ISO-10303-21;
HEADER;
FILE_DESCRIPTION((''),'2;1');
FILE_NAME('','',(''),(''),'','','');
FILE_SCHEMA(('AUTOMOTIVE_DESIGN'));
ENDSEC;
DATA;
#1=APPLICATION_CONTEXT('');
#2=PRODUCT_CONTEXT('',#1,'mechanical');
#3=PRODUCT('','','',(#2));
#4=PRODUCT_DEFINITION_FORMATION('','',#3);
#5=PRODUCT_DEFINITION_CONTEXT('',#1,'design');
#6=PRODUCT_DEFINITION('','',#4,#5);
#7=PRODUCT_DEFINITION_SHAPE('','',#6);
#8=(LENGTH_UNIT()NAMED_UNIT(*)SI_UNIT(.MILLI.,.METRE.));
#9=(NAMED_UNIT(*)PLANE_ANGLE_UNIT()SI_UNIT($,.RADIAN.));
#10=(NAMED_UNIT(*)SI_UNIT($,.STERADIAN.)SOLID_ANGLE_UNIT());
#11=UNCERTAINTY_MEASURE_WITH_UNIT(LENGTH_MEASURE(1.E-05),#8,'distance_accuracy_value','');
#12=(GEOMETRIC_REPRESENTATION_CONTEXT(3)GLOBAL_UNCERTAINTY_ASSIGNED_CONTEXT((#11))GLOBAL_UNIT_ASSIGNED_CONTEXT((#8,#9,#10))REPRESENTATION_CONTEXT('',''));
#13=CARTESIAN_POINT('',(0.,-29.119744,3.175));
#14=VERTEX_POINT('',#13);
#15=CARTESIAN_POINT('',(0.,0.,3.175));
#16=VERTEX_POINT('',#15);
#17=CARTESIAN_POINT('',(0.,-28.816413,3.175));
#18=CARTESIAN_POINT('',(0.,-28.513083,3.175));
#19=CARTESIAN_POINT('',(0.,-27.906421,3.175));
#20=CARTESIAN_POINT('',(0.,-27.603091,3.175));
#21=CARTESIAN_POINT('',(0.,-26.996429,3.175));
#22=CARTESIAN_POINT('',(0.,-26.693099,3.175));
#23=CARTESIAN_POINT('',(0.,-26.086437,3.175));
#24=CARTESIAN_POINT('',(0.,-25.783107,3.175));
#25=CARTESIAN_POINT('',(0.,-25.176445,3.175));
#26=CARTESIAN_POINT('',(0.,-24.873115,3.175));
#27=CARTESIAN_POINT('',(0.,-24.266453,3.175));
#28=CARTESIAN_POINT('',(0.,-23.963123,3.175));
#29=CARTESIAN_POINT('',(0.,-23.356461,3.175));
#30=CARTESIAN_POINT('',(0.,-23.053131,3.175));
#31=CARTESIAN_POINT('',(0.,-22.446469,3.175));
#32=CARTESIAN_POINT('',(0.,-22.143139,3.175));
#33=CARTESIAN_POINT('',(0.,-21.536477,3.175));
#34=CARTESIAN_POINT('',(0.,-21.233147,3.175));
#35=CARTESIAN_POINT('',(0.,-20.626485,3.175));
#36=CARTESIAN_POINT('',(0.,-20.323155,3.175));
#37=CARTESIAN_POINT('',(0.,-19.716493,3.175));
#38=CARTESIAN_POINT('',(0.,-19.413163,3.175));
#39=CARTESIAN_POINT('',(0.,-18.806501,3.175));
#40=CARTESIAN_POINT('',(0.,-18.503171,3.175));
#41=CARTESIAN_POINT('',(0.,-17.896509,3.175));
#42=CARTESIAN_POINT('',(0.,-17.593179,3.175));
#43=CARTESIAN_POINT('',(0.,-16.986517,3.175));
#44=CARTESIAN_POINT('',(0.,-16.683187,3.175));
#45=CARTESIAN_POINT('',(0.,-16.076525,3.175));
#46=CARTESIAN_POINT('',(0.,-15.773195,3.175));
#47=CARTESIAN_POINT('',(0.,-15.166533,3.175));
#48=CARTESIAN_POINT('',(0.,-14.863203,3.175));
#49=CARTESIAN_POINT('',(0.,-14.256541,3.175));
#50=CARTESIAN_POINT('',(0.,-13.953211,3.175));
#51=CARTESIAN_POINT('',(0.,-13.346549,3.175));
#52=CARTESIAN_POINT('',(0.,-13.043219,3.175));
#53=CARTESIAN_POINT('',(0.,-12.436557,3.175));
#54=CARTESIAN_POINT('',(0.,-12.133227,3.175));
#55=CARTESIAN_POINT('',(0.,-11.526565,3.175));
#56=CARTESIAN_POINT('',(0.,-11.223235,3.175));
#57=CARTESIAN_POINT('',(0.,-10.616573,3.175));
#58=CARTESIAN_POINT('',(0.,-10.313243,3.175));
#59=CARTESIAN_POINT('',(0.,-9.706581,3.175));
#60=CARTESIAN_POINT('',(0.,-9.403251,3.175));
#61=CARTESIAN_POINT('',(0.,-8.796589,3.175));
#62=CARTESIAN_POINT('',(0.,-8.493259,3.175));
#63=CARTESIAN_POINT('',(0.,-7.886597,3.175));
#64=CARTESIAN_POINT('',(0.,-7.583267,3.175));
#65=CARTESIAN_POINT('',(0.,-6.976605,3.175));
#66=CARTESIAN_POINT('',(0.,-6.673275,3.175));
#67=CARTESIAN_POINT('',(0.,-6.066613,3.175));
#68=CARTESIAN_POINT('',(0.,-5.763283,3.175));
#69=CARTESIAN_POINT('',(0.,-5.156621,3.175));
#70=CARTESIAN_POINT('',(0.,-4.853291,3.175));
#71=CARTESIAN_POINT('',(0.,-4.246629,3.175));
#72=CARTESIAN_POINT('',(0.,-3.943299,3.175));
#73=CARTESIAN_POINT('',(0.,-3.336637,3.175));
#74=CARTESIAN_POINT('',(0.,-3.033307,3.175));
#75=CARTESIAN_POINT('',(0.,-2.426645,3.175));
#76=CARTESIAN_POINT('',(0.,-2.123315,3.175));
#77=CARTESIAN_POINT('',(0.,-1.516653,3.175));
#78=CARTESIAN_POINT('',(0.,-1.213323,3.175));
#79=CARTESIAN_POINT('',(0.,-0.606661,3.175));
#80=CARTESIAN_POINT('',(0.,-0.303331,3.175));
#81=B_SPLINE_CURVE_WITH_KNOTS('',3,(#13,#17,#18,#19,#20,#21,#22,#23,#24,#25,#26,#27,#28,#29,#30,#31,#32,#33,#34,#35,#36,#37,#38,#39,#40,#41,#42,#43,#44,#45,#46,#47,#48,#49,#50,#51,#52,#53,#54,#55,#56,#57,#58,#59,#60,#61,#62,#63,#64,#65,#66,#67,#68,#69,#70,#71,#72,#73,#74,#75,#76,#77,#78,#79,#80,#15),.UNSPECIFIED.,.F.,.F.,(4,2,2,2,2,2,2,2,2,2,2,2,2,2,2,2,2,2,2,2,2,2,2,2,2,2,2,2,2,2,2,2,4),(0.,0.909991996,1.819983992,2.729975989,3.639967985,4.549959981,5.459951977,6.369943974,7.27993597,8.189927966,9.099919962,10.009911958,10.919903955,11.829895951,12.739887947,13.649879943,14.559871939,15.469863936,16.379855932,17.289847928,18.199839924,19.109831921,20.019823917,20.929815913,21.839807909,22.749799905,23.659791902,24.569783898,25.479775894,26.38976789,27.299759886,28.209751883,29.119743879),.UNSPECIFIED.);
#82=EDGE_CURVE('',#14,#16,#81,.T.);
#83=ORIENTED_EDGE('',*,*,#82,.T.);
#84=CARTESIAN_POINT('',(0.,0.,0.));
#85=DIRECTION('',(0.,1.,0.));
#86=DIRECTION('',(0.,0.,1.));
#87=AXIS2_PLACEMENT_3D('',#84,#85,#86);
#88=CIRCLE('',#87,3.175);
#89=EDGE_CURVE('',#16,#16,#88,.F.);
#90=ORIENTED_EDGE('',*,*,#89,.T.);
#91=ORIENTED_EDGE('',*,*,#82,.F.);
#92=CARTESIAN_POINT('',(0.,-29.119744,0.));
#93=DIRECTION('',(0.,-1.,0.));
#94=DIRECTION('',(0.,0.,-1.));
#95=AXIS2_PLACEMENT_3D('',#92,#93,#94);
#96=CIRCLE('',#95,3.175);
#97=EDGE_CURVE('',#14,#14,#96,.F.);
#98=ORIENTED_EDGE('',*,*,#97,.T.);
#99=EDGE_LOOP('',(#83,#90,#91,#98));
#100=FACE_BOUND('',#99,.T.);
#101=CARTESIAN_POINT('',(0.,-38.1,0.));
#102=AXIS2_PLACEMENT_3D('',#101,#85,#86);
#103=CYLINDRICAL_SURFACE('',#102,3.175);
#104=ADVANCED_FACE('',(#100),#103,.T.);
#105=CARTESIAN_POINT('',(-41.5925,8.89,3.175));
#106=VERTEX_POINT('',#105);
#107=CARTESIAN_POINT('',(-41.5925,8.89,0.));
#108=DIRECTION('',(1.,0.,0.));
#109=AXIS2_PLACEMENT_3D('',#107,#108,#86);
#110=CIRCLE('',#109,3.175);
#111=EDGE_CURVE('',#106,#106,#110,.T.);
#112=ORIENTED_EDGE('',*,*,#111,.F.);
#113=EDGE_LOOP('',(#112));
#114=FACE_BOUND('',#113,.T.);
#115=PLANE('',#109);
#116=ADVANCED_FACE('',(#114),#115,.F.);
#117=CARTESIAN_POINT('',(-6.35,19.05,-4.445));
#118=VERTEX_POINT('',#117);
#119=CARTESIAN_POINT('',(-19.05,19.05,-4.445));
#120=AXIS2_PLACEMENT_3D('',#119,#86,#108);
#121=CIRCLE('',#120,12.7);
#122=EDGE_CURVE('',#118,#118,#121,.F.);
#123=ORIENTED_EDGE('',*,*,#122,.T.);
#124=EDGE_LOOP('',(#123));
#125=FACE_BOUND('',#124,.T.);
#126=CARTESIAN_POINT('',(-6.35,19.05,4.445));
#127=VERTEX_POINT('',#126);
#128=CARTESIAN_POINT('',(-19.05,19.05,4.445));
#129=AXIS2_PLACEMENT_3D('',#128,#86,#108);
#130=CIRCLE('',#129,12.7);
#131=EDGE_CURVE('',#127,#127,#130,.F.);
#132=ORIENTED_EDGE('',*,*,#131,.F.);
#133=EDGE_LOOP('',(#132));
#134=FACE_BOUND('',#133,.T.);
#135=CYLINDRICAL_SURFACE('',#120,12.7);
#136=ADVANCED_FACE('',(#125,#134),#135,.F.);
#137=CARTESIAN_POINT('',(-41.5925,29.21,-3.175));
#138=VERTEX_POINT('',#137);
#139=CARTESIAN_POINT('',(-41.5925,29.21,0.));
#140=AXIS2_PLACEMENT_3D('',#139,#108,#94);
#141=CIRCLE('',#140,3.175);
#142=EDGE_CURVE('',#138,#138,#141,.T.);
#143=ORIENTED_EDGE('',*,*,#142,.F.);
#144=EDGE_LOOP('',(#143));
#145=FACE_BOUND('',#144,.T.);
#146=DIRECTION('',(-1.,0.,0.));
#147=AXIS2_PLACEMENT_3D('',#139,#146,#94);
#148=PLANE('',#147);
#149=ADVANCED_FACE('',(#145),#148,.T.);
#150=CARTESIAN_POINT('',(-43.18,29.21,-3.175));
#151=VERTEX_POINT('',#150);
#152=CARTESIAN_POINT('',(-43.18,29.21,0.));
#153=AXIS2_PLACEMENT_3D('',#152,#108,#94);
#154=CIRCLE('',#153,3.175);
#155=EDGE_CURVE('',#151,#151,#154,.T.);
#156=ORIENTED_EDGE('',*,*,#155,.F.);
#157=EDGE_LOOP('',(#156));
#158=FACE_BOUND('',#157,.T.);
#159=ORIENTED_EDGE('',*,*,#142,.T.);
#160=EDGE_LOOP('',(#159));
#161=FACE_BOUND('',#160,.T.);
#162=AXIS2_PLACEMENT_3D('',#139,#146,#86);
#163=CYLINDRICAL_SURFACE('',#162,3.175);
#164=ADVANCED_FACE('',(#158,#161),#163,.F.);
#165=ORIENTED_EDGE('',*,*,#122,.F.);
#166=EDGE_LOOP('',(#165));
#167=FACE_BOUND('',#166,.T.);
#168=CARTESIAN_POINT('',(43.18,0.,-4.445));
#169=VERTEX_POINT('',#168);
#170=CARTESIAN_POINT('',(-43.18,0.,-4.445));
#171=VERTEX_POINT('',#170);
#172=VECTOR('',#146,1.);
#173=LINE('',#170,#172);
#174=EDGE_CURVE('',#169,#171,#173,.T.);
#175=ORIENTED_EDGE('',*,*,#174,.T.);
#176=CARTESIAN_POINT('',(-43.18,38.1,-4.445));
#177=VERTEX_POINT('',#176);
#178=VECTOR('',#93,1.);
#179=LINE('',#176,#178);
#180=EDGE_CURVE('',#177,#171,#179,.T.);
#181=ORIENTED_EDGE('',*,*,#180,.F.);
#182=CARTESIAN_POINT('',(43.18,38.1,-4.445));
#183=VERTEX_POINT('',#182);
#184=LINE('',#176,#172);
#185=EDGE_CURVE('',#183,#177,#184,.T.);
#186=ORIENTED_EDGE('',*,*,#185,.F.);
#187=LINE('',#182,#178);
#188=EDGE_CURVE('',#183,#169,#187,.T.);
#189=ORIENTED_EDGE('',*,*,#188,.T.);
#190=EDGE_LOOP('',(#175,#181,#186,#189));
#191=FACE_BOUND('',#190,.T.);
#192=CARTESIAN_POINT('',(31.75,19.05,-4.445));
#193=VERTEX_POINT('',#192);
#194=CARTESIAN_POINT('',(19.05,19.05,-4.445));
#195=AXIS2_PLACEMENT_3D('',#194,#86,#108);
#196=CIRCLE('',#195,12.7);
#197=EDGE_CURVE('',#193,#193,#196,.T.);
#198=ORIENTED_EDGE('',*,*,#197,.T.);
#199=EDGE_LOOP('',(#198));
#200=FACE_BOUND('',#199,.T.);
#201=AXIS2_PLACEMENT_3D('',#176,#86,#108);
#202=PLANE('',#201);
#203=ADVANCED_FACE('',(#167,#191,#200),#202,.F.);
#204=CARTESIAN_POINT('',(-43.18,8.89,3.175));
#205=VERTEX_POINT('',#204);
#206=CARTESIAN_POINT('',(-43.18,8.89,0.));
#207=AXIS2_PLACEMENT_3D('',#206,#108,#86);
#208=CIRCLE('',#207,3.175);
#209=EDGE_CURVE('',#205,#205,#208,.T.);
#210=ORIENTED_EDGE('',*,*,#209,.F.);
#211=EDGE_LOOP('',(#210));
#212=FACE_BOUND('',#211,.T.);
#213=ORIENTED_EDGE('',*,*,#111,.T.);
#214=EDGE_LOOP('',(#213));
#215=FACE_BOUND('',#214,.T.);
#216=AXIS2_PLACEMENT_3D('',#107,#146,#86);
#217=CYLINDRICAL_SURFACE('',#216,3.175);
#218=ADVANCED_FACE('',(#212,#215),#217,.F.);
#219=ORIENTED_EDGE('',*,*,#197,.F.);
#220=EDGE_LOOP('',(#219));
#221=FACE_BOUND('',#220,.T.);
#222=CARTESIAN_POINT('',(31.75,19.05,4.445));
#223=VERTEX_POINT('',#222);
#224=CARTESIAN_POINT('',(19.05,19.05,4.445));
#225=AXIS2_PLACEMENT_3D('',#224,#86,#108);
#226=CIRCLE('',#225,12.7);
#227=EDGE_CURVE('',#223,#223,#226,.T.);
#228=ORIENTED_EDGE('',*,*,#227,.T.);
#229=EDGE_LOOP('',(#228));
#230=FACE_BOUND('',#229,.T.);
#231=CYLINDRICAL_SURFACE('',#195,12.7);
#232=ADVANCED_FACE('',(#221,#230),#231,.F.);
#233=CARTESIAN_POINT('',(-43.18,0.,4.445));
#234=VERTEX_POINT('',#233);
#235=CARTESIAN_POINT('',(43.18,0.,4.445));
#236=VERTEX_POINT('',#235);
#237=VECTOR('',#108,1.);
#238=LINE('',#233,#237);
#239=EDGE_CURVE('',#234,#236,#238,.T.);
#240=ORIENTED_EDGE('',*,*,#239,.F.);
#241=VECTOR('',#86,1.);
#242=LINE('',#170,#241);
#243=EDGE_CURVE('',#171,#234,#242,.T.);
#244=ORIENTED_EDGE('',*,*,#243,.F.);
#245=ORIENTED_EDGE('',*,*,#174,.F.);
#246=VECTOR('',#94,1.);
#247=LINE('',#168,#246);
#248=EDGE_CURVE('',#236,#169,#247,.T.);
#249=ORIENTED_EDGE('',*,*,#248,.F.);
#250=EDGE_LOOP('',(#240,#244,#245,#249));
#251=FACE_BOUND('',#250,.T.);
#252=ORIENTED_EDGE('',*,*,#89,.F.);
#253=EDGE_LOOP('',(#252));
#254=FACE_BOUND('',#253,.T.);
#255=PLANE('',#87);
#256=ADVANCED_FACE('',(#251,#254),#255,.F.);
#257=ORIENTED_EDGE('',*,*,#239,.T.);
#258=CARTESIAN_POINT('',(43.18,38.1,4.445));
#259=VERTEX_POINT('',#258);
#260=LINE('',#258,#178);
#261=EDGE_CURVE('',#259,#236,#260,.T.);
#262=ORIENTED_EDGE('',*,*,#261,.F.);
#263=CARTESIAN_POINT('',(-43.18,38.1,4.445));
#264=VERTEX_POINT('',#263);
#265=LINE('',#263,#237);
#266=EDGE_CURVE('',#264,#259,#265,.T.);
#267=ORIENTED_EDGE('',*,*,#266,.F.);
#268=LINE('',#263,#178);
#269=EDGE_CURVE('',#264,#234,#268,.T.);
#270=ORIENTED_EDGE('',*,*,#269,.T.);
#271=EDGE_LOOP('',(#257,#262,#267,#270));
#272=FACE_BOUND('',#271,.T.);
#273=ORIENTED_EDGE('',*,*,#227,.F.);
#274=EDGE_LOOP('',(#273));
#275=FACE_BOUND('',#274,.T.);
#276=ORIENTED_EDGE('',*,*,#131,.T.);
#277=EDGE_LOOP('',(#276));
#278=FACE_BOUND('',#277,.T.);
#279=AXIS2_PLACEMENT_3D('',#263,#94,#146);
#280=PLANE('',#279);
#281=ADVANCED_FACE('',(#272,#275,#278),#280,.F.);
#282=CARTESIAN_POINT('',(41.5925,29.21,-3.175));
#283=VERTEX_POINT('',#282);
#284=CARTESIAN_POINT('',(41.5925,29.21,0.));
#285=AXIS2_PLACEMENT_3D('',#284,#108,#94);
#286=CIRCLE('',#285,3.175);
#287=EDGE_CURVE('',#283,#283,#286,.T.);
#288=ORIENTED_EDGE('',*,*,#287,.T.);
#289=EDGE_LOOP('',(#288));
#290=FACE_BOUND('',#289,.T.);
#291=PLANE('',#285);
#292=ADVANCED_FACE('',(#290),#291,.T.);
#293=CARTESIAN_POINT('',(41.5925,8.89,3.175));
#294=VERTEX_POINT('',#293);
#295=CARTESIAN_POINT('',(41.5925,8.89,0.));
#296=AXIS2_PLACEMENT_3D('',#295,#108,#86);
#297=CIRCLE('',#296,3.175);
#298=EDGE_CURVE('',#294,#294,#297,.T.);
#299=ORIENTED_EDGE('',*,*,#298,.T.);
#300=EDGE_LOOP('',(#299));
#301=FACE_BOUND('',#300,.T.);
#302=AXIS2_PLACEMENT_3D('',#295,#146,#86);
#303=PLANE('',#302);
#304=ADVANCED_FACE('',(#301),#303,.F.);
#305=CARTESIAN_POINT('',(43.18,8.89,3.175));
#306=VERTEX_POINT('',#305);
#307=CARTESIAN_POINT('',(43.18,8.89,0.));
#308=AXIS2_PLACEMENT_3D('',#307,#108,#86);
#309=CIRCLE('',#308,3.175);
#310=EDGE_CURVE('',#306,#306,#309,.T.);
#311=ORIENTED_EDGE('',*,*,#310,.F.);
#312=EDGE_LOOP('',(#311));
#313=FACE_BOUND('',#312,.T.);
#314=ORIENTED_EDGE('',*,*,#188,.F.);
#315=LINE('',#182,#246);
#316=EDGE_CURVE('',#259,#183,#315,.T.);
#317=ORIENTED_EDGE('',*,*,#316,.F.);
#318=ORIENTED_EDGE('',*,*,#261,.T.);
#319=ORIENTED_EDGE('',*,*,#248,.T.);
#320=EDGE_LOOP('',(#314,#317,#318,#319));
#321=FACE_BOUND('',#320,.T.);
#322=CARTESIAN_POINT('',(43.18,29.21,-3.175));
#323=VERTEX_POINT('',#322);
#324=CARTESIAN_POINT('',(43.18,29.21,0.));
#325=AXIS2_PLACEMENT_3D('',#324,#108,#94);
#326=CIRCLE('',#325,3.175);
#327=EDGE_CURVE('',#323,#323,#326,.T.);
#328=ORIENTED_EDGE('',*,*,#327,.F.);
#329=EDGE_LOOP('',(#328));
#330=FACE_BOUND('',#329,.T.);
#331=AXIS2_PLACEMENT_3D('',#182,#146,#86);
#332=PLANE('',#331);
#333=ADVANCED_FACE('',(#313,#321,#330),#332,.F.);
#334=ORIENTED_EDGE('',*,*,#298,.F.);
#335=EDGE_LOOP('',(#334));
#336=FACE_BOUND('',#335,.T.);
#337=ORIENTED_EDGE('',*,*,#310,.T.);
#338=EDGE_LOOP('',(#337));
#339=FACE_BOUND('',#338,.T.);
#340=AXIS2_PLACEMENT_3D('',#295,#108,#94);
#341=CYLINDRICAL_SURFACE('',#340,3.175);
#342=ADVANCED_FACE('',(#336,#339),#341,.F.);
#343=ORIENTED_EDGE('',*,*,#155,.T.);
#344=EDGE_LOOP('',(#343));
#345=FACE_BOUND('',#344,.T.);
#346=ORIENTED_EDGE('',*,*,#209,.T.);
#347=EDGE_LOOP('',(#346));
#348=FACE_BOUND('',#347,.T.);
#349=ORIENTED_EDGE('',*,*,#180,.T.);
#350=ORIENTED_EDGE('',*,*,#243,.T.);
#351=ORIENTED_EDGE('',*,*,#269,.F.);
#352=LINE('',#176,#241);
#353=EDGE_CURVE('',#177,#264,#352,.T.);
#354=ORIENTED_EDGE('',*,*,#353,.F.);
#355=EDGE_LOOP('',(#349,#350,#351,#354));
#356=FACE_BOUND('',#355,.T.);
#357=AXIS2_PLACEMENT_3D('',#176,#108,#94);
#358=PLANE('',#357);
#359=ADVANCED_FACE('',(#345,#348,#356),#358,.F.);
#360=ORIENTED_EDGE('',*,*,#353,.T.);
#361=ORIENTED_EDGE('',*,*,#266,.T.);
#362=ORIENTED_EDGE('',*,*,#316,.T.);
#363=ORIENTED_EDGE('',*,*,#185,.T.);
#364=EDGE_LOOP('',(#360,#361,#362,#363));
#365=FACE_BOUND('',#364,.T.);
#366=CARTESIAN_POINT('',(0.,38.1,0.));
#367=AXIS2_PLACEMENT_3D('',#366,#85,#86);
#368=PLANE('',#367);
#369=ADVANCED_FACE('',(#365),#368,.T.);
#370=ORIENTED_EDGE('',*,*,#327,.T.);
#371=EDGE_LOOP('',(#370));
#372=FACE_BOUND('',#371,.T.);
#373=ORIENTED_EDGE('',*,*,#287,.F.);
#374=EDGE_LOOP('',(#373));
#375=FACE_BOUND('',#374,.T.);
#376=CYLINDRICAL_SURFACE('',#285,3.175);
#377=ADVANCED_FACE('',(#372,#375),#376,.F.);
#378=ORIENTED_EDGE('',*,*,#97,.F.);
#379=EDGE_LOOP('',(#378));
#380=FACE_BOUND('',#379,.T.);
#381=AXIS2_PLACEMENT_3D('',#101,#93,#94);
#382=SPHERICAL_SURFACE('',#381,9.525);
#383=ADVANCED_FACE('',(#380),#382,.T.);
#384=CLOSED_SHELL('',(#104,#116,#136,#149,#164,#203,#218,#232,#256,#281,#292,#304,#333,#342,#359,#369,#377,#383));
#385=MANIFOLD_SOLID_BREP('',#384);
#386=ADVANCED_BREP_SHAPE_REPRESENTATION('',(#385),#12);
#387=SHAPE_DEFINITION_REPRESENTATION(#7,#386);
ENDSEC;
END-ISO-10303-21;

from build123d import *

# Parameters (mm, degrees)
SKETCH1_W           = 86.36
SKETCH1_H           = 8.89
BOSS_EXTRUDE1_DEPTH = 38.1
SKETCH2_R           = 12.7
CUT_EXTRUDE1_DEPTH  = 59.267954315
SKETCH3_R           = 3.175
BOSS_EXTRUDE2_DEPTH = 38.1
SKETCH5_R           = 3.175
CUT_EXTRUDE2_DEPTH  = 1.5875


with BuildPart() as part:
    # Sketch1 → Boss-Extrude1 (new body)
    with BuildSketch(Plane(origin=(0, 0, 0), x_dir=(1, 0, 0), z_dir=(0, 1, 0))):
        Rectangle(SKETCH1_W, SKETCH1_H)
    extrude(amount=BOSS_EXTRUDE1_DEPTH)

    # Sketch2 → Cut-Extrude1 (cut, through all)
    with BuildSketch(Plane.XY.offset(4.445)):
        with Locations((19.05, 19.05)):
            Circle(SKETCH2_R)
        with Locations((-19.05, 19.05)):
            Circle(SKETCH2_R)
    extrude(amount=-CUT_EXTRUDE1_DEPTH, mode=Mode.SUBTRACT)

    # Sketch3 → Boss-Extrude2 (add)
    with BuildSketch(Plane.XZ):
        with Locations(Location((0, 0, 0), (0, 0, 90))):
            Circle(SKETCH3_R)
    extrude(amount=BOSS_EXTRUDE2_DEPTH)

    # Sketch4 → Revolve1 (revolve)
    with BuildSketch(Plane.XZ.offset(38.1)):
        with BuildLine():
            Line((0, -9.525), (0, 9.525))
            ThreePointArc((0, 9.525), (9.525, 0), (0, -9.525))
        make_face()
    revolve(axis=Axis((0, -38.1, -9.525), (0, 0, 1)))

    # Sketch5 → Cut-Extrude2 (cut)
    with BuildSketch(Plane(origin=(43.18, 0, 0), x_dir=(0, 0, -1), z_dir=(1, 0, 0))):
        with Locations((0, 29.21)):
            Circle(SKETCH5_R)
        with Locations(Location((0, 8.89, 0), (0, 0, 180))):
            Circle(SKETCH5_R)
    cut_extrude2 = extrude(amount=-CUT_EXTRUDE2_DEPTH, mode=Mode.SUBTRACT)

    # Mirror1: Cut-Extrude2 across plane
    add(cut_extrude2.mirror(Plane(origin=(0, 0, 0), x_dir=(0, 0, 1), z_dir=(1, 0, 0))), mode=Mode.SUBTRACT)


solid = part.part
